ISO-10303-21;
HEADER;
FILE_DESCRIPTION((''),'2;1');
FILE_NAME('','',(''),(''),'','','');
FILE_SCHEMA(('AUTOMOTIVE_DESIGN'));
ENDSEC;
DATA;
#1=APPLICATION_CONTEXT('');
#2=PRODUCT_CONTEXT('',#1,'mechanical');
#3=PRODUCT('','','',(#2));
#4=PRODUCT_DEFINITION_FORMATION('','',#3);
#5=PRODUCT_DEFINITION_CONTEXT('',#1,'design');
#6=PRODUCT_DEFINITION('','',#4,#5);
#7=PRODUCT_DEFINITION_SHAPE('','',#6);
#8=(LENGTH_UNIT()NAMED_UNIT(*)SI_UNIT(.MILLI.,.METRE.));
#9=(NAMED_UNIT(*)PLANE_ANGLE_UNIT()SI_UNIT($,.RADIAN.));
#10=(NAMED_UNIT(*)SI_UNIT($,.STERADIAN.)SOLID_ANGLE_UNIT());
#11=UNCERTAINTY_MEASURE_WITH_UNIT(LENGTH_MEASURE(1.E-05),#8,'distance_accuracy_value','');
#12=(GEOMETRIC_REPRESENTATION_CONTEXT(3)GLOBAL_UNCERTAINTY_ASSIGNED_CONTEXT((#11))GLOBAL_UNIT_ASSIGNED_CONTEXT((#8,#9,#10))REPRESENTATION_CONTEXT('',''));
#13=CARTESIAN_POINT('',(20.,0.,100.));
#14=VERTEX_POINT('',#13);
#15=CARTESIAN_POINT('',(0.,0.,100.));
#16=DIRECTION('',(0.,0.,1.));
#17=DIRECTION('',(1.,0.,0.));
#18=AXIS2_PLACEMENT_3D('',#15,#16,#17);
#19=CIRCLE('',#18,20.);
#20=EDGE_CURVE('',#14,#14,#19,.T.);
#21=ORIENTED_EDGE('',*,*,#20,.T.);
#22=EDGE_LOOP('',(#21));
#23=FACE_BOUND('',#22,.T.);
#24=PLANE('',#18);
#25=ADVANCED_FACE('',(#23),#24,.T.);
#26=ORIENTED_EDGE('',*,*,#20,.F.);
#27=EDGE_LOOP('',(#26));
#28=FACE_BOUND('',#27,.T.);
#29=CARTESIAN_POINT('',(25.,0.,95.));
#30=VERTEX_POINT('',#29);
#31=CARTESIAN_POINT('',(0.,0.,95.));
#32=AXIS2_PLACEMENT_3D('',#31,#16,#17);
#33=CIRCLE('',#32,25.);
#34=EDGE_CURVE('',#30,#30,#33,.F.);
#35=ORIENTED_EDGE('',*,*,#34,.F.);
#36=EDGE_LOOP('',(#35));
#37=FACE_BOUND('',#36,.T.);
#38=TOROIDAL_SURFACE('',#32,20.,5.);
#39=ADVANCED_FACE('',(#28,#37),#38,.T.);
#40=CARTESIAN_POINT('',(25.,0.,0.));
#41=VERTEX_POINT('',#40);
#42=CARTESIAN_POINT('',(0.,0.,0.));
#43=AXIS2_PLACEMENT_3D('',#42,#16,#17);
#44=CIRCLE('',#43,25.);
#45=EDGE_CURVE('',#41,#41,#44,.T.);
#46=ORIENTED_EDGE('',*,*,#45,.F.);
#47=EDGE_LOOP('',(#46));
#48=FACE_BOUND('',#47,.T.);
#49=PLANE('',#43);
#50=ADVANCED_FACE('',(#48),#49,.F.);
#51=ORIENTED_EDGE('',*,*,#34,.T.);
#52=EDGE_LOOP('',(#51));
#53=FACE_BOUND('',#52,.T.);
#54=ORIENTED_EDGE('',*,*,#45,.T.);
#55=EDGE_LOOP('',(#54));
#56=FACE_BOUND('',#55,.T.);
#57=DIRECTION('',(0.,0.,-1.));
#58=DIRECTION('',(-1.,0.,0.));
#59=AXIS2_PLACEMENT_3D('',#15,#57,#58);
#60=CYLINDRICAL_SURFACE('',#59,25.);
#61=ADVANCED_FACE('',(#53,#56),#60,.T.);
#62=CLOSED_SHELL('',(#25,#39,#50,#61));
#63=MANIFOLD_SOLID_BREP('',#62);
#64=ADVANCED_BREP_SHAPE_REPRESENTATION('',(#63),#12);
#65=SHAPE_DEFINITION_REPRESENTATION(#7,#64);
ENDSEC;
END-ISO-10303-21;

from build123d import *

# Parameters (mm, degrees)
SKETCH_1_R      = 25
EXTRUDE_1_DEPTH = 100
FILLET_1_R      = 5


with BuildPart() as part:
    # Эскиз1 → Бобышка-Вытянуть1 (new body)
    with BuildSketch(Plane.XY):
        Circle(SKETCH_1_R)
    extrude(amount=EXTRUDE_1_DEPTH)

    # Скругление1
    fillet_1_edges = [part.edges().sort_by_distance(p)[0] for p in [
        (-25, 0, 100),
    ]]
    fillet(fillet_1_edges, radius=FILLET_1_R)


solid = part.part
